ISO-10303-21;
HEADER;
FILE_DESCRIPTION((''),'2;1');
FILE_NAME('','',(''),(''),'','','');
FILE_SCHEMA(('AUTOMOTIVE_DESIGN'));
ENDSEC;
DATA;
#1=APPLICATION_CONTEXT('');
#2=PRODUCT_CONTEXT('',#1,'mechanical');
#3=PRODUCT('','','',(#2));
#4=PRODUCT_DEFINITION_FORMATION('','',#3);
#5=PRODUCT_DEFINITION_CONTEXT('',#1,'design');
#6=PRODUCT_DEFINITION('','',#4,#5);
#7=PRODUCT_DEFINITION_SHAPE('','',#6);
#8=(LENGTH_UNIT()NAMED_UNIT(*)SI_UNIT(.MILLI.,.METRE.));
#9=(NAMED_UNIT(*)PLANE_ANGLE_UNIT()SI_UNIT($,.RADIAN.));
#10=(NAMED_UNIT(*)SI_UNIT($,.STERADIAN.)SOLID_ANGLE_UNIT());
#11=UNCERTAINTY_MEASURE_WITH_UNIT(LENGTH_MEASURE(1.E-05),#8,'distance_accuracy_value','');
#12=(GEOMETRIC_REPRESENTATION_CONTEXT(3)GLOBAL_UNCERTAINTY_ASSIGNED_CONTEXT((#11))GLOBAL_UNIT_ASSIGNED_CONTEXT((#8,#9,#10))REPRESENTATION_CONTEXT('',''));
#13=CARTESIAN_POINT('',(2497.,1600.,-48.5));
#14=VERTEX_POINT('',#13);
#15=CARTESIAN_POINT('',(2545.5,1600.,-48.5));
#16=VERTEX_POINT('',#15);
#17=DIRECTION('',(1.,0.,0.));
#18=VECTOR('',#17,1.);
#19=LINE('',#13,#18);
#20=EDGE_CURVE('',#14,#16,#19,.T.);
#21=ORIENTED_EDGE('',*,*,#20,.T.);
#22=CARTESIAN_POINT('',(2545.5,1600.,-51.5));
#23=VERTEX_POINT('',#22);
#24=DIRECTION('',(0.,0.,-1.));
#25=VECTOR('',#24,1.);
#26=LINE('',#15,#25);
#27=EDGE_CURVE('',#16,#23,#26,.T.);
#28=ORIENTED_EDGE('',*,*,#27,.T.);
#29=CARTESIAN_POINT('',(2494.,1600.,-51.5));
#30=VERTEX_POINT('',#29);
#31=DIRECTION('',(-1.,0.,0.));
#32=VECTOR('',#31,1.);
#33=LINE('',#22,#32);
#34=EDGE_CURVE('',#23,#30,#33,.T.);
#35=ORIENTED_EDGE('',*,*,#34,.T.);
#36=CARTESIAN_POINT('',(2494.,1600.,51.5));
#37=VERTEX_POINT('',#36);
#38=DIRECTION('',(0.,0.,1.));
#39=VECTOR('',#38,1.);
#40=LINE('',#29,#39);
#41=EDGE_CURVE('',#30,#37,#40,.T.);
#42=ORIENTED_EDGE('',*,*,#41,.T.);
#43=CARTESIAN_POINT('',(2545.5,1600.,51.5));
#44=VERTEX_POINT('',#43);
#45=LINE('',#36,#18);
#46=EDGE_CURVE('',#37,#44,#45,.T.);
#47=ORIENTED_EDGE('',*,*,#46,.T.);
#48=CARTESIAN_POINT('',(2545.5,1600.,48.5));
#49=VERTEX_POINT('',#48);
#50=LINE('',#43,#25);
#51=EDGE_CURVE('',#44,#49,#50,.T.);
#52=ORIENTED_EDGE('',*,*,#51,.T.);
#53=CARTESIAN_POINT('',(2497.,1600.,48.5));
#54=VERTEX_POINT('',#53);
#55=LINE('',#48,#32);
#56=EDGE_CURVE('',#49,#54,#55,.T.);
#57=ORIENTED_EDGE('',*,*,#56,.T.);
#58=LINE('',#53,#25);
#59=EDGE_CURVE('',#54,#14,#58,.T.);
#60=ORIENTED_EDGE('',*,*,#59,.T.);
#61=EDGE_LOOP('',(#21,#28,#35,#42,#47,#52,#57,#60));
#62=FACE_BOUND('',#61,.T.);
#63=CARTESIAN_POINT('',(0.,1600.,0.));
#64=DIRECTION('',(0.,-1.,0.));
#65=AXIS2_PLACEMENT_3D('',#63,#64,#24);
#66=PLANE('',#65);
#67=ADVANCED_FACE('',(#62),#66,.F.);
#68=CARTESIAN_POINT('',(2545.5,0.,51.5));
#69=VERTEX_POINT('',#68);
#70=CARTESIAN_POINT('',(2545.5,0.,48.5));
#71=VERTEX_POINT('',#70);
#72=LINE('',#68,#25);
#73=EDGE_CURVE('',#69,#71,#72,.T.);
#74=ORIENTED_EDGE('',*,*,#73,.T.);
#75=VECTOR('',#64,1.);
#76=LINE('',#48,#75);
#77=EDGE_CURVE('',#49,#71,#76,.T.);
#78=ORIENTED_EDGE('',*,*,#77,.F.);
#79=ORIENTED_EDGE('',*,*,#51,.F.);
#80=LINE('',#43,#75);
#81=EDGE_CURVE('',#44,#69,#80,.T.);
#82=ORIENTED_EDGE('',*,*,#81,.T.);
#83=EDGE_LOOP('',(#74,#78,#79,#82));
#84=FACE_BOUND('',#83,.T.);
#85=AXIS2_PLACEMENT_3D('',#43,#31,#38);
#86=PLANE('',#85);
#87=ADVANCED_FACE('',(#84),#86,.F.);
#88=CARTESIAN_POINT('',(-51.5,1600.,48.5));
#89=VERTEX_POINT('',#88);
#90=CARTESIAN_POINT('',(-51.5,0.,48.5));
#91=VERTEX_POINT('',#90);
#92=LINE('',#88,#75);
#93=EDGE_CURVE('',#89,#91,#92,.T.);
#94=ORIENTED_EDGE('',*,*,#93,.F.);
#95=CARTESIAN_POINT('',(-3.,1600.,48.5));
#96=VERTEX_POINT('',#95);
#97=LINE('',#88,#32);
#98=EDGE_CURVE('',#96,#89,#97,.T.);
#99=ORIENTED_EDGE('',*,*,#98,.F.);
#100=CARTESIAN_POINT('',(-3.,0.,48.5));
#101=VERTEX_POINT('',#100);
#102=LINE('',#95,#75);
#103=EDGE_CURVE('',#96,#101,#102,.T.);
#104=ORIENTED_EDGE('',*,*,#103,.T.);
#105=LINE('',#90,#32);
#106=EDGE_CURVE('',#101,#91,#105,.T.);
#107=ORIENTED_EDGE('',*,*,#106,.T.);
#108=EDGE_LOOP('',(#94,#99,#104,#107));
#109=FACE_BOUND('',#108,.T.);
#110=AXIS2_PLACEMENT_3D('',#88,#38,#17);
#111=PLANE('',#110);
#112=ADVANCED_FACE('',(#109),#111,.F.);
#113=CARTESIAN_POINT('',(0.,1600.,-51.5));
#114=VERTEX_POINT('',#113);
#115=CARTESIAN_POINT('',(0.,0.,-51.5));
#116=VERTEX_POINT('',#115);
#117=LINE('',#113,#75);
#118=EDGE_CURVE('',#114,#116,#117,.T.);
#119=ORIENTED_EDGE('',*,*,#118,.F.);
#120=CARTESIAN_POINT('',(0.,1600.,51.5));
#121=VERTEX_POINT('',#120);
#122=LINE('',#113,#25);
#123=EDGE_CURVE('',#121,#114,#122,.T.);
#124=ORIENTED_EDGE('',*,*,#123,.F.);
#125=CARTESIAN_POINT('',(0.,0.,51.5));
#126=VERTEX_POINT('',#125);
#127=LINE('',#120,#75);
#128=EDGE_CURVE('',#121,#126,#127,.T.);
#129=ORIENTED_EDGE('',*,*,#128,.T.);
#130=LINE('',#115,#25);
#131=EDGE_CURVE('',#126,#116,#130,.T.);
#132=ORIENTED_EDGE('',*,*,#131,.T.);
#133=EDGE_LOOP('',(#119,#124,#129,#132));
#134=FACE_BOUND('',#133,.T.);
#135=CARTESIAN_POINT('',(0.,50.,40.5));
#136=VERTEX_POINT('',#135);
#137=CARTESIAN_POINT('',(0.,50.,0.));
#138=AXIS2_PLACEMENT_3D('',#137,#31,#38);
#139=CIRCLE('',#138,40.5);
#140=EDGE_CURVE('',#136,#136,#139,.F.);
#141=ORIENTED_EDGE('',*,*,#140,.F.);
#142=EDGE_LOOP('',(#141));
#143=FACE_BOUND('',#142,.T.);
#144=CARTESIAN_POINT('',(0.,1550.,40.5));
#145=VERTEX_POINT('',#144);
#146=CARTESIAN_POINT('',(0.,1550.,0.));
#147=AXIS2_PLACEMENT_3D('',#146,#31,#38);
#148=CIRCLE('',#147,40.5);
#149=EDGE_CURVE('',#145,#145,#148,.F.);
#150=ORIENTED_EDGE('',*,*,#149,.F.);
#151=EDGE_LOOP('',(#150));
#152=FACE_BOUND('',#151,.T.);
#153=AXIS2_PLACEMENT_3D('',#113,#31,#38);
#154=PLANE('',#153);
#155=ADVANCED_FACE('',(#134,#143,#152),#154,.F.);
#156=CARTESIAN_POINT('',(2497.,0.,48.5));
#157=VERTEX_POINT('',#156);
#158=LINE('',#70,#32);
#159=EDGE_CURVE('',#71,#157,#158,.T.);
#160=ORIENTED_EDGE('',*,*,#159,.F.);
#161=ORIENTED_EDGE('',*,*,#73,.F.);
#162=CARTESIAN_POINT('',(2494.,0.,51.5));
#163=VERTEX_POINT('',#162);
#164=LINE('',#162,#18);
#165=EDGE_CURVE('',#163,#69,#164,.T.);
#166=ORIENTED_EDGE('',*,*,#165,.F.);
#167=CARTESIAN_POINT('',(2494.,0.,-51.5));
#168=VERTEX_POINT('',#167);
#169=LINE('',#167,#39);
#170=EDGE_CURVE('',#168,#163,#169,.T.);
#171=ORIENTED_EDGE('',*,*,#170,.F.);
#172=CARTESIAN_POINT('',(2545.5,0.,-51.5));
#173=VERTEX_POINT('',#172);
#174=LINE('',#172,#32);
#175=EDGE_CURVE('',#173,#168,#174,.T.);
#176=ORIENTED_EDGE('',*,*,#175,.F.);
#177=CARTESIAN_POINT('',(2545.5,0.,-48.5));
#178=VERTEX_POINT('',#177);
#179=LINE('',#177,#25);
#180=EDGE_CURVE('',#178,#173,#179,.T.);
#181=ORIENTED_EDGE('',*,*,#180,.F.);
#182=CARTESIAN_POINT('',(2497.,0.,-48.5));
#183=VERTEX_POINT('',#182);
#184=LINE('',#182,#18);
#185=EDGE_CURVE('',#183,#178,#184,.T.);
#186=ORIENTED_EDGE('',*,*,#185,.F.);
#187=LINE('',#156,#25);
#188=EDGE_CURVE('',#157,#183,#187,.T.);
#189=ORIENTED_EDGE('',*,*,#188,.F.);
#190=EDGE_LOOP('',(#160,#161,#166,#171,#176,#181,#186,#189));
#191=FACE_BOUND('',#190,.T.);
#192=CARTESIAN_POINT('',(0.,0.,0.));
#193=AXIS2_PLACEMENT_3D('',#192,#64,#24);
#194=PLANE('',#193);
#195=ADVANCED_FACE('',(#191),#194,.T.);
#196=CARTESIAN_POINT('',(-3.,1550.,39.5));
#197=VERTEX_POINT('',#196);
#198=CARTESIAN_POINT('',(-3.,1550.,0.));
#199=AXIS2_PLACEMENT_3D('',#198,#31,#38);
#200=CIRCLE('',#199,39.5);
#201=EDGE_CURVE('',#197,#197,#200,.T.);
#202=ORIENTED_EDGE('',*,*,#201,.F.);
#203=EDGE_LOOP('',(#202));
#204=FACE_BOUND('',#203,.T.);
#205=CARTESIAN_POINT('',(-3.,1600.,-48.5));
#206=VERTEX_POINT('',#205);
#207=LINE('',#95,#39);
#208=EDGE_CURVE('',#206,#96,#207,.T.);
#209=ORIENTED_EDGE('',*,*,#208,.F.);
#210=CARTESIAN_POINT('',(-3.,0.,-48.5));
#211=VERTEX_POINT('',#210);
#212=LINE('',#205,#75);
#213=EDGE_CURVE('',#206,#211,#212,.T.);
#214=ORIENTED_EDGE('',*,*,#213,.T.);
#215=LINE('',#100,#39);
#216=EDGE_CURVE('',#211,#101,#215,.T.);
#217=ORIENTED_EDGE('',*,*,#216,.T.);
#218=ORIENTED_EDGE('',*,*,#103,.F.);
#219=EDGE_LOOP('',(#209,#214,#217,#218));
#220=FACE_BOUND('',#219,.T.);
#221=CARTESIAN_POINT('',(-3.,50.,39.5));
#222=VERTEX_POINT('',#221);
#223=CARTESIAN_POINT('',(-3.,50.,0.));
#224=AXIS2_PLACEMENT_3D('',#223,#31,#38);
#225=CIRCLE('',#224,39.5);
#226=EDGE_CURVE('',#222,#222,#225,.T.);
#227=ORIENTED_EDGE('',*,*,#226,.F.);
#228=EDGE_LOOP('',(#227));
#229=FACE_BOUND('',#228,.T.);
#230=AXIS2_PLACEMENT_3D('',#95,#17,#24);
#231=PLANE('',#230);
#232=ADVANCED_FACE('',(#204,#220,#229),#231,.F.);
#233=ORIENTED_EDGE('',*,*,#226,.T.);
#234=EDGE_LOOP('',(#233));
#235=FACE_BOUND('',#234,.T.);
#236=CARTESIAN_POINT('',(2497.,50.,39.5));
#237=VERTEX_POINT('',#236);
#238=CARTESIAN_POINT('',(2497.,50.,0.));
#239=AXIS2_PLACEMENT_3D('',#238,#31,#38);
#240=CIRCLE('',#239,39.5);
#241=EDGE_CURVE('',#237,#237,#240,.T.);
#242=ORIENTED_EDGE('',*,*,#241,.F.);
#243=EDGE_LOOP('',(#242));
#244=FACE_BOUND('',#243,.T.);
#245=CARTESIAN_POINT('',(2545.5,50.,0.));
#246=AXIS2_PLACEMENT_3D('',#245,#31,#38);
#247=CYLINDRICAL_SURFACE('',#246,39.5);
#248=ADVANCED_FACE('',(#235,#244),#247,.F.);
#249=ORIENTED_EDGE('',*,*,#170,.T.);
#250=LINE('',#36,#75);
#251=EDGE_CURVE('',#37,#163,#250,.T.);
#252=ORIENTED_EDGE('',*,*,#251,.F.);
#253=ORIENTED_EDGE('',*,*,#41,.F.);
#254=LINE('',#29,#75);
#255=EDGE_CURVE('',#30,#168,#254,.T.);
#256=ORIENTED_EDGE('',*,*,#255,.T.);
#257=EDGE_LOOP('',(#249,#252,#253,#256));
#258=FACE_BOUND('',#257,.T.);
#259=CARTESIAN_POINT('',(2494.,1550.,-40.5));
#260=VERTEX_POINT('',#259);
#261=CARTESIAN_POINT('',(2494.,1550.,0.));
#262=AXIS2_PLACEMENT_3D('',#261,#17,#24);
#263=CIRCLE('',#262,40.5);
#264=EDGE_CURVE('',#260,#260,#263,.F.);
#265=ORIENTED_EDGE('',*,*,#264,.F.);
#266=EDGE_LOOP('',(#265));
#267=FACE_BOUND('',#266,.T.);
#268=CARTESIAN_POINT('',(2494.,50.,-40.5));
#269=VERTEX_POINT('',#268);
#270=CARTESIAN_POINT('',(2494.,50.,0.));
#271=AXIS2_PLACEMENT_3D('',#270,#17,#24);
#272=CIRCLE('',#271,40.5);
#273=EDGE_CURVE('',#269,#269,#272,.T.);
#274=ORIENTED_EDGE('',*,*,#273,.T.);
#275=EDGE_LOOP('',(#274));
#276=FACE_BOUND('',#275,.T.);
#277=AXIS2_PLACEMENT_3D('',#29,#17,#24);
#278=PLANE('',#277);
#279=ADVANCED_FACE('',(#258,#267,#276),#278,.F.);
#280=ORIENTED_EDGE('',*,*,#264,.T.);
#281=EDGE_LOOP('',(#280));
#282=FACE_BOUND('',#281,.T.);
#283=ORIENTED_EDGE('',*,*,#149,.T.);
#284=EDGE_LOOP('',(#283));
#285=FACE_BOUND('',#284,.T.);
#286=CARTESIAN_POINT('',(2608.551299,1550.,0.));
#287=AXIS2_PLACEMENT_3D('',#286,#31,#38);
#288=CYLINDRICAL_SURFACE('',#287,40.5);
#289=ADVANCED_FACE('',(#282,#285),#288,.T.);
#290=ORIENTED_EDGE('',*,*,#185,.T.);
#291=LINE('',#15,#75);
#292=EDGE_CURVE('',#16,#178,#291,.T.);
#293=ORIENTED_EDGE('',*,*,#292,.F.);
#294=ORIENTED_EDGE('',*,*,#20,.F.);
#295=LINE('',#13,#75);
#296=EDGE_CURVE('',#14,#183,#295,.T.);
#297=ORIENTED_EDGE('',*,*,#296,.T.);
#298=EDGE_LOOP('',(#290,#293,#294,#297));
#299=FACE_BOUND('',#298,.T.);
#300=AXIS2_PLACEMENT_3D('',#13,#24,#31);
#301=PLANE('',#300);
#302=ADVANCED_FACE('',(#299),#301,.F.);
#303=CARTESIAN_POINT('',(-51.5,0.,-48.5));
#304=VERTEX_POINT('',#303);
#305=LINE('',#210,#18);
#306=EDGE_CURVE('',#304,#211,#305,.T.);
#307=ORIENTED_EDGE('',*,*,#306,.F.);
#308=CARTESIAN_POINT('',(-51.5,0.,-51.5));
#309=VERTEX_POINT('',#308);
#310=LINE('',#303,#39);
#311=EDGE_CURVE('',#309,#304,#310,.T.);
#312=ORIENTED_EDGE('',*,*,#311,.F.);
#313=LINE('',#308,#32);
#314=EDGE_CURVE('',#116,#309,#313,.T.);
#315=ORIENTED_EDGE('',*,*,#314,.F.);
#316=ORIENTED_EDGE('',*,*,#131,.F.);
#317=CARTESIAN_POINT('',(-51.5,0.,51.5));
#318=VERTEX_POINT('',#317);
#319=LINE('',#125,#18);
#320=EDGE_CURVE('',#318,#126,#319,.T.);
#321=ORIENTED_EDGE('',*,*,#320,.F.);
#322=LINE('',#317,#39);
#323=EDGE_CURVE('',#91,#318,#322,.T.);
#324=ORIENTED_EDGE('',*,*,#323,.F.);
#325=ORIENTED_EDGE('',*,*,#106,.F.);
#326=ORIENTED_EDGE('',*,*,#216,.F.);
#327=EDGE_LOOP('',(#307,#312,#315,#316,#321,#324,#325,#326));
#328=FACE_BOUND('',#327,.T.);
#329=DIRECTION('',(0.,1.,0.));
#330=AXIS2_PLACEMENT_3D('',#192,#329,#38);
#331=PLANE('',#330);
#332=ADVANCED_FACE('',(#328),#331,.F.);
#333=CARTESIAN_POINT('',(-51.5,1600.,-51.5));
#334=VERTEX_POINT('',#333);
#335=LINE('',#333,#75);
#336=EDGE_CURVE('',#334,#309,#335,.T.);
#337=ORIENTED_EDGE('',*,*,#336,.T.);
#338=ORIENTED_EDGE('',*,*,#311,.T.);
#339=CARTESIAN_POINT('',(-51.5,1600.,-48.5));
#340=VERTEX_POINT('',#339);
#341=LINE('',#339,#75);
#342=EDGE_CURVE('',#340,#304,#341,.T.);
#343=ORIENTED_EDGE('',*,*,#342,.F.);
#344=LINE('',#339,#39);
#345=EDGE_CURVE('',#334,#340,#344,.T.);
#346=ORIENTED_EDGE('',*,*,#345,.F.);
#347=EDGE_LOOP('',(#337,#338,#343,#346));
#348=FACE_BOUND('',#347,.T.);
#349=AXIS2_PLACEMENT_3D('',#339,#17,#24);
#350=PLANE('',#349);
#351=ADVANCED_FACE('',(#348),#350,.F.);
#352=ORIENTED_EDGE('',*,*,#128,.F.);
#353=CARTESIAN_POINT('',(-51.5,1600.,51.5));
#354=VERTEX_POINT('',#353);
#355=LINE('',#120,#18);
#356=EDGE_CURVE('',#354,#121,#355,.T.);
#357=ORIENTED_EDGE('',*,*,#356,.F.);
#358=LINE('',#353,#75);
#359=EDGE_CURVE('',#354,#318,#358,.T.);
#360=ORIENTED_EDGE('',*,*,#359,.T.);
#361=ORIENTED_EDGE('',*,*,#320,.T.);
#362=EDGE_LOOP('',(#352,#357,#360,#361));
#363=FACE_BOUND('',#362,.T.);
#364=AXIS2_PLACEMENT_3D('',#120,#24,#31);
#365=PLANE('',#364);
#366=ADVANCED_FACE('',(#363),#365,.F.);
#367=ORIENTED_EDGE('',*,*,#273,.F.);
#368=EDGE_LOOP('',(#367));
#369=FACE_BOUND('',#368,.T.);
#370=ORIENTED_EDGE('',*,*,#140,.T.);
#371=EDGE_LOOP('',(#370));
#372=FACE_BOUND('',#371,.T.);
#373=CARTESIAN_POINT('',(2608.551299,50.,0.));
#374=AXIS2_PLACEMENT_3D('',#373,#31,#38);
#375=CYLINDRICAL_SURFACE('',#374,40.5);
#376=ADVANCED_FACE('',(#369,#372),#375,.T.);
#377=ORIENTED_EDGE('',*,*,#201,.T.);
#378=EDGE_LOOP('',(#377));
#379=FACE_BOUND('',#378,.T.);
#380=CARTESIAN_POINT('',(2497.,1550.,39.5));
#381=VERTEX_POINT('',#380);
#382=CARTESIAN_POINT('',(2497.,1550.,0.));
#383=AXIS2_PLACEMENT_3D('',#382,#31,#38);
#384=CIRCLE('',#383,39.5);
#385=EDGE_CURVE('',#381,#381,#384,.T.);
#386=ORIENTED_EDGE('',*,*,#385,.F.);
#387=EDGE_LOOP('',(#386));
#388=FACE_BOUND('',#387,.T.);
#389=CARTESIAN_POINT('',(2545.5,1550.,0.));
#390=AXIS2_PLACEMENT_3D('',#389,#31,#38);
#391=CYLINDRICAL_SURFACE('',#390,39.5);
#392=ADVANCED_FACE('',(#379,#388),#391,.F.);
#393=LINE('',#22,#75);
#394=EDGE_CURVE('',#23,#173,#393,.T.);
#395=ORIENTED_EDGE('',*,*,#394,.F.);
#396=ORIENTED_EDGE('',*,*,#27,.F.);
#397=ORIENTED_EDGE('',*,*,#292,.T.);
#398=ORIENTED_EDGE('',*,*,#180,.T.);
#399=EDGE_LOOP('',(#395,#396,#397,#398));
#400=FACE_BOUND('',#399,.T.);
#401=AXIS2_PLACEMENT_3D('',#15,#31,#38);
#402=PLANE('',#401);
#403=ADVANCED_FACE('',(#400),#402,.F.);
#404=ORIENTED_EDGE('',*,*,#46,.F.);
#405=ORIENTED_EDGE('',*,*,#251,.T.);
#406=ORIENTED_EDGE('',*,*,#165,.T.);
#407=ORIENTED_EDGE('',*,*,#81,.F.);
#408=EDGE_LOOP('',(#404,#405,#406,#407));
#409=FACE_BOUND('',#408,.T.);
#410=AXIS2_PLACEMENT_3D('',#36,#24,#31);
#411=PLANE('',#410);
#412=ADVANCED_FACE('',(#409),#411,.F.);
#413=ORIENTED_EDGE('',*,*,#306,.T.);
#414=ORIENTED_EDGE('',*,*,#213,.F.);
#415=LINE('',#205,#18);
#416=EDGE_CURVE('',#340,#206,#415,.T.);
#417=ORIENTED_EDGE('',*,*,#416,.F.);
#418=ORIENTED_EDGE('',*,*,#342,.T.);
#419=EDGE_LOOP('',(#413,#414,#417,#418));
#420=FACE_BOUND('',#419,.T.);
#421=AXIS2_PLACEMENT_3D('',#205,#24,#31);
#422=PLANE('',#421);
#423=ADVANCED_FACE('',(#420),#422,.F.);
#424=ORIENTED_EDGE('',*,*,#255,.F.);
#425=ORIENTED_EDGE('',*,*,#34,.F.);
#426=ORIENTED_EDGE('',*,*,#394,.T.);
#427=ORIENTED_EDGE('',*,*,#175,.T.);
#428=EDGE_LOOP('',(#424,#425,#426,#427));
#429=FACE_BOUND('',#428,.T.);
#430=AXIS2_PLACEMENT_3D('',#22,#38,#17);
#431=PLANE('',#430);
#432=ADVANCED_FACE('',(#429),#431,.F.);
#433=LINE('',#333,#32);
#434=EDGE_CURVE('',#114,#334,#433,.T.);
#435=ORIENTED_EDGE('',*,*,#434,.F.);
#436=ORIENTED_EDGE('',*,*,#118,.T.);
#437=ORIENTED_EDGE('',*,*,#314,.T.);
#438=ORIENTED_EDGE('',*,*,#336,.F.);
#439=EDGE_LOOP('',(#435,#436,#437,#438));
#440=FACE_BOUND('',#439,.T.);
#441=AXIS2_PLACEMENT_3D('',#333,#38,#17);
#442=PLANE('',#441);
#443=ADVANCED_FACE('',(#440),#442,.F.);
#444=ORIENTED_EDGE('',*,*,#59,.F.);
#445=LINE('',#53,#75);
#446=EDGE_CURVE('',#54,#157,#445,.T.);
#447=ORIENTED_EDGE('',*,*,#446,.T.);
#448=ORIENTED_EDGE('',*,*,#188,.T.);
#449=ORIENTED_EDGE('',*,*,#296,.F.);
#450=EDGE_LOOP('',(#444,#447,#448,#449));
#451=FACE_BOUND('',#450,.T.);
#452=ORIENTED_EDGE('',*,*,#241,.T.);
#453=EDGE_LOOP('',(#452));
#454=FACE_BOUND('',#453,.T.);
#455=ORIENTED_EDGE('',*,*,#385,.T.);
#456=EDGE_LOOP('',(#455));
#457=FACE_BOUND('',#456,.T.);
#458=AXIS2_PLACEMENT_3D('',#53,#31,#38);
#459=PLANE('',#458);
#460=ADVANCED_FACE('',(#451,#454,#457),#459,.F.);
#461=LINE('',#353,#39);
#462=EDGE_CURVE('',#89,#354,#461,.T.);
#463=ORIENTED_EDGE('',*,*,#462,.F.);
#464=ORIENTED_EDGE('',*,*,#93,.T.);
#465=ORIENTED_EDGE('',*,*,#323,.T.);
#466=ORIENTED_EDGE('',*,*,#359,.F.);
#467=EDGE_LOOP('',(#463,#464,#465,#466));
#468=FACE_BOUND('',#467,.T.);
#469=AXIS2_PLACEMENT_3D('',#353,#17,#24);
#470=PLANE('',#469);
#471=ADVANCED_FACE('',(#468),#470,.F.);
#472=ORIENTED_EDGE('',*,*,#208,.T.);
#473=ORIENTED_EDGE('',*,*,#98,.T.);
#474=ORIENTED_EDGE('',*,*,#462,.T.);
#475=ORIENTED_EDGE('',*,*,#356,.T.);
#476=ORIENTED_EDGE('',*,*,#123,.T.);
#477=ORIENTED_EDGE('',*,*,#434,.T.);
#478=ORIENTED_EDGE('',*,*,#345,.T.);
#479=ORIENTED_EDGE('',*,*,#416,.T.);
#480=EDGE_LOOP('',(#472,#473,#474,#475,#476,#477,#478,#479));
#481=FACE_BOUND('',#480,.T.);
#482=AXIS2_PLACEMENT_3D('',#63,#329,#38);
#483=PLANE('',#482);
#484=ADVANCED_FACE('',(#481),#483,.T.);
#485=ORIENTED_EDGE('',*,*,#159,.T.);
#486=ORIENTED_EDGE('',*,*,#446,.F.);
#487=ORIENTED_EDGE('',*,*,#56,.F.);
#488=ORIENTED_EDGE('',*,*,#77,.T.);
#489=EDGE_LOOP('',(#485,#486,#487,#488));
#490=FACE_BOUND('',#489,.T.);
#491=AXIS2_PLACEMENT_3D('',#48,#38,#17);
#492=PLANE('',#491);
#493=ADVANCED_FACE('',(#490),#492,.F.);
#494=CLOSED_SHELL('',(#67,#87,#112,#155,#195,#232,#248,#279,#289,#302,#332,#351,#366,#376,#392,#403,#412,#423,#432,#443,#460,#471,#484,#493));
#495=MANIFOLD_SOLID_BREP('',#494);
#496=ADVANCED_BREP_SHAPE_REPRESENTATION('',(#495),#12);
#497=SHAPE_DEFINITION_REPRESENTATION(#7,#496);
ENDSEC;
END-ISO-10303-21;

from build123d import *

# Parameters (mm, degrees)
BOSS_EXTRUDE1_DEPTH   = 1600
BOSS_EXTRUDE1_2_DEPTH = 1600
SKETCH7_R             = 39.5
CUT_EXTRUDE2_DEPTH    = 2549.5
SKETCH8_R             = 40.5
SKETCH8_R_2           = 39.5
BOSS_EXTRUDE2_DEPTH   = 2494


with BuildPart() as part:
    # Sketch3 → Boss-Extrude1 (new body)
    with BuildSketch(Plane(origin=(0, 0, 0), x_dir=(1, 0, 0), z_dir=(0, 1, 0))):
        Polygon((-51.5, 51.5), (0, 51.5), (0, -51.5), (-51.5, -51.5), (-51.5, -48.5), (-3, -48.5), (-3, 48.5), (-51.5, 48.5), align=None)
    extrude(amount=BOSS_EXTRUDE1_DEPTH)


with BuildPart() as body_2:
    # Sketch3 → Boss-Extrude1 2 (new body)
    with BuildSketch(Plane(origin=(0, 0, 0), x_dir=(1, 0, 0), z_dir=(0, 1, 0))):
        Polygon((2497, 48.5), (2545.5, 48.5), (2545.5, 51.5), (2494, 51.5), (2494, -51.5), (2545.5, -51.5), (2545.5, -48.5), (2497, -48.5), align=None)
    extrude(amount=BOSS_EXTRUDE1_2_DEPTH)


with BuildPart() as cut_extrude2_tool:
    # Sketch7 → Cut-Extrude2 (new body, through all)
    with BuildSketch(Plane.ZY.offset(3)):
        with Locations((0, 50)):
            Circle(SKETCH7_R)
        with Locations((0, 1550)):
            Circle(SKETCH7_R)
    extrude(amount=-CUT_EXTRUDE2_DEPTH)


with BuildPart() as part_1:
    add(part.part)

    # Cut-Extrude2: cut by cut_extrude2_tool
    add(cut_extrude2_tool.part, mode=Mode.SUBTRACT)



with BuildPart() as body_2_1:
    add(body_2.part)

    # Cut-Extrude2: cut by cut_extrude2_tool
    add(cut_extrude2_tool.part, mode=Mode.SUBTRACT)


with BuildPart() as part_2:
    add(part_1.part)

    add(body_2_1.part)  # Boss-Extrude2 merges body 2
    # Sketch8 → Boss-Extrude2 (add)
    with BuildSketch(Plane(origin=(0, 0, 0), x_dir=(0, 0, -1), z_dir=(1, 0, 0))):
        with Locations((0, 50)):
            Circle(SKETCH8_R)
        with Locations((0, 50)):
            Circle(SKETCH8_R_2, mode=Mode.SUBTRACT)
        with Locations((0, 1550)):
            Circle(SKETCH8_R)
        with Locations((0, 1550)):
            Circle(SKETCH8_R_2, mode=Mode.SUBTRACT)
    extrude(amount=BOSS_EXTRUDE2_DEPTH)


solid = part_2.part
